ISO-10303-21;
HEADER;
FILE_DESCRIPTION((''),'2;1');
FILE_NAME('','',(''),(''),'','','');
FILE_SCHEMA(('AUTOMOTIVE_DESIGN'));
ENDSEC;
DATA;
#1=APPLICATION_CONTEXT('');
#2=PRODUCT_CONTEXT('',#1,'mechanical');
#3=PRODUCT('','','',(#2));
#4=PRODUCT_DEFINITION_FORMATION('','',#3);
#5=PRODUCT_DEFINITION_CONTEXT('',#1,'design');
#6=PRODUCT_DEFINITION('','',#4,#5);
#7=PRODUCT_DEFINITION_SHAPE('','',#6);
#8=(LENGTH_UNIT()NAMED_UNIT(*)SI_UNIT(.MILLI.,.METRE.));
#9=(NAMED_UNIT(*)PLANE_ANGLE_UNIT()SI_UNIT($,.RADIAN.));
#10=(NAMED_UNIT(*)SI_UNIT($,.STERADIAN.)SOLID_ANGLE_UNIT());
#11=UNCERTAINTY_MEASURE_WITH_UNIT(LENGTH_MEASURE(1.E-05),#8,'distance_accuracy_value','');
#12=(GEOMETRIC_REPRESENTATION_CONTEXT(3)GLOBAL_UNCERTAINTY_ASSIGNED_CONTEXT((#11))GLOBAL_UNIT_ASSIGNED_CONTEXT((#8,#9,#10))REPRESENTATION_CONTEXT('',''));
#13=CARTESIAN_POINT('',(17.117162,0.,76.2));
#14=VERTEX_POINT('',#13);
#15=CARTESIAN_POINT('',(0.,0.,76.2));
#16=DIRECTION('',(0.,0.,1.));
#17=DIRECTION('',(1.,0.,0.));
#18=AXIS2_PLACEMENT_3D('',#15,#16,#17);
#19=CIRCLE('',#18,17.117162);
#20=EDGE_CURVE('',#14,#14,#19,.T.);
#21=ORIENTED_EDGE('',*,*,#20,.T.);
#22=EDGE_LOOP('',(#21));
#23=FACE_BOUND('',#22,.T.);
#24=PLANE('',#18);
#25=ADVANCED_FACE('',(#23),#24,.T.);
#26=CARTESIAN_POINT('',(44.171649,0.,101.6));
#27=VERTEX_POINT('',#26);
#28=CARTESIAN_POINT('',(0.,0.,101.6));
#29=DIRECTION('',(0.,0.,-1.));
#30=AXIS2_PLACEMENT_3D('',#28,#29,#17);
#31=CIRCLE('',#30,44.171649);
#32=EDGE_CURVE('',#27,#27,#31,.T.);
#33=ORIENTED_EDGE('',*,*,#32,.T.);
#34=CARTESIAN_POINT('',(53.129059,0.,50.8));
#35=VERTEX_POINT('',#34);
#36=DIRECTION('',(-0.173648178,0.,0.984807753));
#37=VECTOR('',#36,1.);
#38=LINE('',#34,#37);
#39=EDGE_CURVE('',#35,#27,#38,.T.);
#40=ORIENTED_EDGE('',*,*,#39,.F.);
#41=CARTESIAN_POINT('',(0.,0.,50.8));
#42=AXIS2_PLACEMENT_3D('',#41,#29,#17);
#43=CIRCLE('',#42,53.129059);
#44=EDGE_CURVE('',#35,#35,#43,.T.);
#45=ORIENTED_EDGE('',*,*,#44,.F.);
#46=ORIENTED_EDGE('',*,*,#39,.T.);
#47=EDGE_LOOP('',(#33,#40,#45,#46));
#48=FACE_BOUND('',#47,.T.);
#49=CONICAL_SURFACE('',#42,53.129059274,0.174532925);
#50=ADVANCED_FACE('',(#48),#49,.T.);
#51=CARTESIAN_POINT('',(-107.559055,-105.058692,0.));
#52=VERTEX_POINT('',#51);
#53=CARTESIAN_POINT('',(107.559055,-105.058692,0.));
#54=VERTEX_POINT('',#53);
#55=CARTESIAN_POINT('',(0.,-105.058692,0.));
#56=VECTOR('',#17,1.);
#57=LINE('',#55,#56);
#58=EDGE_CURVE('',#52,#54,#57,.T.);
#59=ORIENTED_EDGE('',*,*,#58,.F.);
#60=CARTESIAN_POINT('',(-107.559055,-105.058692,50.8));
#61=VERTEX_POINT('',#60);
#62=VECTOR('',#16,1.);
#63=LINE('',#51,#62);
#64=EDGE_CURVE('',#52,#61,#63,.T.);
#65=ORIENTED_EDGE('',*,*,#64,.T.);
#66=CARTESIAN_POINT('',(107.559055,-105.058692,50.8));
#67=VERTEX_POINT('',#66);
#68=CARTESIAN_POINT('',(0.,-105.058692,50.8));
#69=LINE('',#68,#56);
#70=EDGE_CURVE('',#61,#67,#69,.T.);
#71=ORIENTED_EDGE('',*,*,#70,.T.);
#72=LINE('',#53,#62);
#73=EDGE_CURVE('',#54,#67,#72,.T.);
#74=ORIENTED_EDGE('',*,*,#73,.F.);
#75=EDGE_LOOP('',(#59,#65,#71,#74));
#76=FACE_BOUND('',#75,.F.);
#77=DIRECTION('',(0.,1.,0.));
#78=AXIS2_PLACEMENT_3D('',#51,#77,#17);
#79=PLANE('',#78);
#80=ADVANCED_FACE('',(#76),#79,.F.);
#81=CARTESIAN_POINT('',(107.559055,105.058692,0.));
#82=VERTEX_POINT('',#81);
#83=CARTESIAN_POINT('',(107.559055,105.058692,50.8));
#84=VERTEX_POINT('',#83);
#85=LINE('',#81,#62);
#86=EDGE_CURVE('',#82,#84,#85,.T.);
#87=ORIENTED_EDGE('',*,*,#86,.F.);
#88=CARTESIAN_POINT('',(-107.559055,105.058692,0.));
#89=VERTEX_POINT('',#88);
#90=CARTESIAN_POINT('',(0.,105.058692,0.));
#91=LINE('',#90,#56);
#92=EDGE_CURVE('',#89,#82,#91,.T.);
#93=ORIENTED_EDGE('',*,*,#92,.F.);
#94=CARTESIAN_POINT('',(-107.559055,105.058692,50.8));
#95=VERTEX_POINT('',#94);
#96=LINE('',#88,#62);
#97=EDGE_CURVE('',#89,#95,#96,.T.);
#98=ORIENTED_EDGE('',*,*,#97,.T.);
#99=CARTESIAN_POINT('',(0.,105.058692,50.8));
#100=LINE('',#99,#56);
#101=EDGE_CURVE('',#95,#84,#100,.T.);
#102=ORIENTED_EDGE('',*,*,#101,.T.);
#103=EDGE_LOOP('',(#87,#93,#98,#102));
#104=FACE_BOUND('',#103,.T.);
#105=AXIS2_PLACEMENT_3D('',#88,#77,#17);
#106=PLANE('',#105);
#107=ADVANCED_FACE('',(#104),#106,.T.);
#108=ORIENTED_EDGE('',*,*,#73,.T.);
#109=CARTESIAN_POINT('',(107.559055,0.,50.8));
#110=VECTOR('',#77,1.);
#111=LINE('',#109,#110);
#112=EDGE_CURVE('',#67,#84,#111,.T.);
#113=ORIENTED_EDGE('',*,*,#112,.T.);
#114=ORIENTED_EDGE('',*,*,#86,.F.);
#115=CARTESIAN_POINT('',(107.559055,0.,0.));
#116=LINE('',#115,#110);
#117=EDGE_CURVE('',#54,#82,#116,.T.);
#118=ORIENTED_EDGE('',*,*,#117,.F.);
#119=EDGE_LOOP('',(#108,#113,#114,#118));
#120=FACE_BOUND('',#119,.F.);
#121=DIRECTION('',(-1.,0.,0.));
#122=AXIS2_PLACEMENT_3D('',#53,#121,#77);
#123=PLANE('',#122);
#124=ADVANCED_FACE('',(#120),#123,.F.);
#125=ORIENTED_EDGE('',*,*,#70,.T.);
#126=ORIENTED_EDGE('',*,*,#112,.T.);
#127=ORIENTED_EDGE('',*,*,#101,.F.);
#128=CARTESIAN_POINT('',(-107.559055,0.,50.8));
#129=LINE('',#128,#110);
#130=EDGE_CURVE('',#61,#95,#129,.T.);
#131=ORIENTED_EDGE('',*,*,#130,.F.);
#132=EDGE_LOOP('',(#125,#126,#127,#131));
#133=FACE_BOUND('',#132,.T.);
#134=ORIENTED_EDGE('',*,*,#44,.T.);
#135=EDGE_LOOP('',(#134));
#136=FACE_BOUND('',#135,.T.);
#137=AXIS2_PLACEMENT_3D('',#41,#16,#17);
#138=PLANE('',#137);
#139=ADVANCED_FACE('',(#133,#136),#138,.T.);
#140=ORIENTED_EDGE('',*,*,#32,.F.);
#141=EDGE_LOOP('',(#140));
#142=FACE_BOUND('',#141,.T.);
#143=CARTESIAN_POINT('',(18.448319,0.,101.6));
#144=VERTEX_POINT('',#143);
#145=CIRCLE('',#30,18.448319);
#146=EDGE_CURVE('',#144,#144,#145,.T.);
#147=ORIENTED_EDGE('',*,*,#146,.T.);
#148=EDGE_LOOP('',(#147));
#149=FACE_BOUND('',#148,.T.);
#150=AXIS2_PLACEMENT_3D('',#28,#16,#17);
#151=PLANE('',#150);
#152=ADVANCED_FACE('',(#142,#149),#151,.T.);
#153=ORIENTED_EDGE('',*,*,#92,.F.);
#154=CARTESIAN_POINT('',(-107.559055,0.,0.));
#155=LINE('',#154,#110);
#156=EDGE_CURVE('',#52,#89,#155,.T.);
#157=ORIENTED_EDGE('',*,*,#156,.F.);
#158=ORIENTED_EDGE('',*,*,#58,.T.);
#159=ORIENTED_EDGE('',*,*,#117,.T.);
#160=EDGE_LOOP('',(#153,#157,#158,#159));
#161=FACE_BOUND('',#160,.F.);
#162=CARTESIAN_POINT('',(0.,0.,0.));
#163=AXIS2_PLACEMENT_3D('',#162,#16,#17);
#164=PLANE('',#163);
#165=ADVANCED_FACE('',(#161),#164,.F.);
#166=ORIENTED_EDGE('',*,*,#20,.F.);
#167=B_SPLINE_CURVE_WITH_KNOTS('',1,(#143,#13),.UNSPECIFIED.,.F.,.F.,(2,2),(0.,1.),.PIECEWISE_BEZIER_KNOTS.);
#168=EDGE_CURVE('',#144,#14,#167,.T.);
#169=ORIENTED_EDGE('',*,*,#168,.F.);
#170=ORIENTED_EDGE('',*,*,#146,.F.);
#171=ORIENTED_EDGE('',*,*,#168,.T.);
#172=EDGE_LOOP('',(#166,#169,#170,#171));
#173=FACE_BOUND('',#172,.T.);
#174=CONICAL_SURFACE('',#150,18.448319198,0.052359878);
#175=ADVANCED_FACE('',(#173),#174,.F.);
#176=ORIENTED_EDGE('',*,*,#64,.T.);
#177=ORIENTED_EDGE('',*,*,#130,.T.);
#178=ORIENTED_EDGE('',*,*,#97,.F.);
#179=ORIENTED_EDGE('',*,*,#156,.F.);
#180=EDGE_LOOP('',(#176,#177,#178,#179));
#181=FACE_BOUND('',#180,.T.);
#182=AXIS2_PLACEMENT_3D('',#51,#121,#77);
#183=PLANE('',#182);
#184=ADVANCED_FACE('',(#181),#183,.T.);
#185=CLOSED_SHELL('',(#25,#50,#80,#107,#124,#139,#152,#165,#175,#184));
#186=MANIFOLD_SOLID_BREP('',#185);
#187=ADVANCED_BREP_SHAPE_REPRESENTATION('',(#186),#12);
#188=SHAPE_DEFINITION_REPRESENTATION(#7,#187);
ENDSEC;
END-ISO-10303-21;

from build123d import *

# Parameters (mm, degrees)
F0_W     = 215.1181101799
F0_H     = 210.1173847914
F1_DEPTH = 50.8
F2_R     = 53.1290592744
F3_DEPTH = 50.8
F3_TAPER = 10
F5_R     = 18.4483191982
F6_DEPTH = 25.4
F6_TAPER = 3


with BuildPart() as f1:
    # F0 (on Top) → F1 (new body)
    with BuildSketch(Plane.XY):
        Rectangle(F0_W, F0_H)
    extrude(amount=F1_DEPTH)

    # F2 (on face) → F3 (join)
    with BuildSketch(Plane.XY.offset(50.8)):
        Circle(F2_R)
    extrude(amount=F3_DEPTH, taper=F3_TAPER)

    # F5 (on face) → F6 (cut)
    with BuildSketch(Plane.XY.offset(101.6)):
        Circle(F5_R)
    extrude(amount=-F6_DEPTH, taper=F6_TAPER, mode=Mode.SUBTRACT)


solid = f1.part
